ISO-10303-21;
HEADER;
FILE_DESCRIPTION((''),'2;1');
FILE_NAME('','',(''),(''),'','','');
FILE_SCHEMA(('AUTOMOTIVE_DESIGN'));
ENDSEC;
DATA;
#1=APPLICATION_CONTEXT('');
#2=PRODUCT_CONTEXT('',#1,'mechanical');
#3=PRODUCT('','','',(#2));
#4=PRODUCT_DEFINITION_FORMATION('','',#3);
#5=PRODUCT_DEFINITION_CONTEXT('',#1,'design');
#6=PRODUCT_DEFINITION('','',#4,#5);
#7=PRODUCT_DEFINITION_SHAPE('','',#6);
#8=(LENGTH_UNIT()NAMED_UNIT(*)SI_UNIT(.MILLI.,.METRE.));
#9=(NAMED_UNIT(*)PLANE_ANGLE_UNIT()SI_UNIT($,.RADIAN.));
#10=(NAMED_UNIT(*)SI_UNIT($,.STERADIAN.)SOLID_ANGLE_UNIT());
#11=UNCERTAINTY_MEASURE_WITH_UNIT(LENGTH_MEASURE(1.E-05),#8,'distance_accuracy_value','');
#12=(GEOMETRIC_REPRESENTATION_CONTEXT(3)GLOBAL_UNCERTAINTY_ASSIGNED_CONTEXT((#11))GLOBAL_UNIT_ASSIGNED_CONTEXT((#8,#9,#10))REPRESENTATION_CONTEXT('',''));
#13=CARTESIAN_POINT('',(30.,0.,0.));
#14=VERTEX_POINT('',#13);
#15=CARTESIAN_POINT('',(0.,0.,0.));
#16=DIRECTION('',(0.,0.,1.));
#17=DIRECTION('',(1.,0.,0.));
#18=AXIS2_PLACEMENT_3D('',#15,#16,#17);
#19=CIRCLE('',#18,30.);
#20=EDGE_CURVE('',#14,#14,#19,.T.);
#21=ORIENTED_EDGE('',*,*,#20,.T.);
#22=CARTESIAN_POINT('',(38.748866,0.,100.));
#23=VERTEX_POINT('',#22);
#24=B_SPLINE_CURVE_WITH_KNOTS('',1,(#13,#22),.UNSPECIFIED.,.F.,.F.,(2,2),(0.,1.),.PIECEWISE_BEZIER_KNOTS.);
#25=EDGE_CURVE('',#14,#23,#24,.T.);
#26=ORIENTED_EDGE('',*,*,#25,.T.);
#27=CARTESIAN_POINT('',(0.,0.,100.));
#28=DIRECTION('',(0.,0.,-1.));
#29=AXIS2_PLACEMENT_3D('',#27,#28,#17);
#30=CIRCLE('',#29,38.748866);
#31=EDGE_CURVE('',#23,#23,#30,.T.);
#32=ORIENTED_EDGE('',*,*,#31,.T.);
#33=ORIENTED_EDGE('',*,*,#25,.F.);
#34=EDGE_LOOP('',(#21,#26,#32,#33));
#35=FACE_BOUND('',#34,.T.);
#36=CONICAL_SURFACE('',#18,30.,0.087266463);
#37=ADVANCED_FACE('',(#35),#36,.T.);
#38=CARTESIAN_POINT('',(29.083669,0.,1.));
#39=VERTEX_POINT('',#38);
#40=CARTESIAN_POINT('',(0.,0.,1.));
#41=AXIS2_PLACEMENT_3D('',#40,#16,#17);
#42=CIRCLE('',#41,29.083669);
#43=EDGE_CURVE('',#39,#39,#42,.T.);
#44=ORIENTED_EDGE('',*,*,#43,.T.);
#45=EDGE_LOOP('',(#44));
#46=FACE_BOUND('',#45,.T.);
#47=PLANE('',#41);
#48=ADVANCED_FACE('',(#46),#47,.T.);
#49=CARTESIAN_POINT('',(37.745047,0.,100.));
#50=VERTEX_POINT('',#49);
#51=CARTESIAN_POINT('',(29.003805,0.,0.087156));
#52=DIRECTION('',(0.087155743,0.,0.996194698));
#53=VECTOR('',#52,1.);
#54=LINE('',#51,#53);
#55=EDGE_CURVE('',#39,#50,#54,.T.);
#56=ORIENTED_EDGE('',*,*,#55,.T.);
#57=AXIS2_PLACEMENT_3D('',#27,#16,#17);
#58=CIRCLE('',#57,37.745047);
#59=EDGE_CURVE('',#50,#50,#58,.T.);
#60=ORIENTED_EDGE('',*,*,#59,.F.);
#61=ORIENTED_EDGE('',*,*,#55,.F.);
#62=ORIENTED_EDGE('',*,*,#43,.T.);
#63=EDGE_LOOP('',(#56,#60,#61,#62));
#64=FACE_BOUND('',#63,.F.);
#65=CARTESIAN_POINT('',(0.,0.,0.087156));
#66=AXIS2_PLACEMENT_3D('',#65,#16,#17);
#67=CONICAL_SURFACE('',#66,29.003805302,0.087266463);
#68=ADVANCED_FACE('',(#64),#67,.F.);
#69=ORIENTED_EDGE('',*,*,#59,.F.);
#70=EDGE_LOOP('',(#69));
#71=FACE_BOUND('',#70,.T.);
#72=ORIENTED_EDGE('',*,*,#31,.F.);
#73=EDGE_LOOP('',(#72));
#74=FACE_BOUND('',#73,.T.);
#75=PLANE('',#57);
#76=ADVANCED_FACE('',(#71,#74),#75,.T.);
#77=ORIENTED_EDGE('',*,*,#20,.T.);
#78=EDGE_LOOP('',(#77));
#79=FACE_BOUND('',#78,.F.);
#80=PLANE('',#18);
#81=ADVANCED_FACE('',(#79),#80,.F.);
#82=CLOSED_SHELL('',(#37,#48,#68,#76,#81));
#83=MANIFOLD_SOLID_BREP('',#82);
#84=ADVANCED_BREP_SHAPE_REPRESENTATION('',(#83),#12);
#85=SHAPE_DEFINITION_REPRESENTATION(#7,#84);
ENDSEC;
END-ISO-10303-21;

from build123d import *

# Parameters (mm, degrees)
F0_R     = 30
F1_DEPTH = 100
F1_TAPER = -5
F2_T     = -1


with BuildPart() as f1:
    # F0 (on Top) → F1 (new body)
    with BuildSketch(Plane.XY):
        Circle(F0_R)
    extrude(amount=F1_DEPTH, taper=F1_TAPER)

    # F2
    f2_openings = [f1.faces().sort_by_distance(p)[0] for p in [
        (0, 0, 100),
    ]]
    offset(amount=F2_T, openings=f2_openings, kind=Kind.INTERSECTION)


solid = f1.part
